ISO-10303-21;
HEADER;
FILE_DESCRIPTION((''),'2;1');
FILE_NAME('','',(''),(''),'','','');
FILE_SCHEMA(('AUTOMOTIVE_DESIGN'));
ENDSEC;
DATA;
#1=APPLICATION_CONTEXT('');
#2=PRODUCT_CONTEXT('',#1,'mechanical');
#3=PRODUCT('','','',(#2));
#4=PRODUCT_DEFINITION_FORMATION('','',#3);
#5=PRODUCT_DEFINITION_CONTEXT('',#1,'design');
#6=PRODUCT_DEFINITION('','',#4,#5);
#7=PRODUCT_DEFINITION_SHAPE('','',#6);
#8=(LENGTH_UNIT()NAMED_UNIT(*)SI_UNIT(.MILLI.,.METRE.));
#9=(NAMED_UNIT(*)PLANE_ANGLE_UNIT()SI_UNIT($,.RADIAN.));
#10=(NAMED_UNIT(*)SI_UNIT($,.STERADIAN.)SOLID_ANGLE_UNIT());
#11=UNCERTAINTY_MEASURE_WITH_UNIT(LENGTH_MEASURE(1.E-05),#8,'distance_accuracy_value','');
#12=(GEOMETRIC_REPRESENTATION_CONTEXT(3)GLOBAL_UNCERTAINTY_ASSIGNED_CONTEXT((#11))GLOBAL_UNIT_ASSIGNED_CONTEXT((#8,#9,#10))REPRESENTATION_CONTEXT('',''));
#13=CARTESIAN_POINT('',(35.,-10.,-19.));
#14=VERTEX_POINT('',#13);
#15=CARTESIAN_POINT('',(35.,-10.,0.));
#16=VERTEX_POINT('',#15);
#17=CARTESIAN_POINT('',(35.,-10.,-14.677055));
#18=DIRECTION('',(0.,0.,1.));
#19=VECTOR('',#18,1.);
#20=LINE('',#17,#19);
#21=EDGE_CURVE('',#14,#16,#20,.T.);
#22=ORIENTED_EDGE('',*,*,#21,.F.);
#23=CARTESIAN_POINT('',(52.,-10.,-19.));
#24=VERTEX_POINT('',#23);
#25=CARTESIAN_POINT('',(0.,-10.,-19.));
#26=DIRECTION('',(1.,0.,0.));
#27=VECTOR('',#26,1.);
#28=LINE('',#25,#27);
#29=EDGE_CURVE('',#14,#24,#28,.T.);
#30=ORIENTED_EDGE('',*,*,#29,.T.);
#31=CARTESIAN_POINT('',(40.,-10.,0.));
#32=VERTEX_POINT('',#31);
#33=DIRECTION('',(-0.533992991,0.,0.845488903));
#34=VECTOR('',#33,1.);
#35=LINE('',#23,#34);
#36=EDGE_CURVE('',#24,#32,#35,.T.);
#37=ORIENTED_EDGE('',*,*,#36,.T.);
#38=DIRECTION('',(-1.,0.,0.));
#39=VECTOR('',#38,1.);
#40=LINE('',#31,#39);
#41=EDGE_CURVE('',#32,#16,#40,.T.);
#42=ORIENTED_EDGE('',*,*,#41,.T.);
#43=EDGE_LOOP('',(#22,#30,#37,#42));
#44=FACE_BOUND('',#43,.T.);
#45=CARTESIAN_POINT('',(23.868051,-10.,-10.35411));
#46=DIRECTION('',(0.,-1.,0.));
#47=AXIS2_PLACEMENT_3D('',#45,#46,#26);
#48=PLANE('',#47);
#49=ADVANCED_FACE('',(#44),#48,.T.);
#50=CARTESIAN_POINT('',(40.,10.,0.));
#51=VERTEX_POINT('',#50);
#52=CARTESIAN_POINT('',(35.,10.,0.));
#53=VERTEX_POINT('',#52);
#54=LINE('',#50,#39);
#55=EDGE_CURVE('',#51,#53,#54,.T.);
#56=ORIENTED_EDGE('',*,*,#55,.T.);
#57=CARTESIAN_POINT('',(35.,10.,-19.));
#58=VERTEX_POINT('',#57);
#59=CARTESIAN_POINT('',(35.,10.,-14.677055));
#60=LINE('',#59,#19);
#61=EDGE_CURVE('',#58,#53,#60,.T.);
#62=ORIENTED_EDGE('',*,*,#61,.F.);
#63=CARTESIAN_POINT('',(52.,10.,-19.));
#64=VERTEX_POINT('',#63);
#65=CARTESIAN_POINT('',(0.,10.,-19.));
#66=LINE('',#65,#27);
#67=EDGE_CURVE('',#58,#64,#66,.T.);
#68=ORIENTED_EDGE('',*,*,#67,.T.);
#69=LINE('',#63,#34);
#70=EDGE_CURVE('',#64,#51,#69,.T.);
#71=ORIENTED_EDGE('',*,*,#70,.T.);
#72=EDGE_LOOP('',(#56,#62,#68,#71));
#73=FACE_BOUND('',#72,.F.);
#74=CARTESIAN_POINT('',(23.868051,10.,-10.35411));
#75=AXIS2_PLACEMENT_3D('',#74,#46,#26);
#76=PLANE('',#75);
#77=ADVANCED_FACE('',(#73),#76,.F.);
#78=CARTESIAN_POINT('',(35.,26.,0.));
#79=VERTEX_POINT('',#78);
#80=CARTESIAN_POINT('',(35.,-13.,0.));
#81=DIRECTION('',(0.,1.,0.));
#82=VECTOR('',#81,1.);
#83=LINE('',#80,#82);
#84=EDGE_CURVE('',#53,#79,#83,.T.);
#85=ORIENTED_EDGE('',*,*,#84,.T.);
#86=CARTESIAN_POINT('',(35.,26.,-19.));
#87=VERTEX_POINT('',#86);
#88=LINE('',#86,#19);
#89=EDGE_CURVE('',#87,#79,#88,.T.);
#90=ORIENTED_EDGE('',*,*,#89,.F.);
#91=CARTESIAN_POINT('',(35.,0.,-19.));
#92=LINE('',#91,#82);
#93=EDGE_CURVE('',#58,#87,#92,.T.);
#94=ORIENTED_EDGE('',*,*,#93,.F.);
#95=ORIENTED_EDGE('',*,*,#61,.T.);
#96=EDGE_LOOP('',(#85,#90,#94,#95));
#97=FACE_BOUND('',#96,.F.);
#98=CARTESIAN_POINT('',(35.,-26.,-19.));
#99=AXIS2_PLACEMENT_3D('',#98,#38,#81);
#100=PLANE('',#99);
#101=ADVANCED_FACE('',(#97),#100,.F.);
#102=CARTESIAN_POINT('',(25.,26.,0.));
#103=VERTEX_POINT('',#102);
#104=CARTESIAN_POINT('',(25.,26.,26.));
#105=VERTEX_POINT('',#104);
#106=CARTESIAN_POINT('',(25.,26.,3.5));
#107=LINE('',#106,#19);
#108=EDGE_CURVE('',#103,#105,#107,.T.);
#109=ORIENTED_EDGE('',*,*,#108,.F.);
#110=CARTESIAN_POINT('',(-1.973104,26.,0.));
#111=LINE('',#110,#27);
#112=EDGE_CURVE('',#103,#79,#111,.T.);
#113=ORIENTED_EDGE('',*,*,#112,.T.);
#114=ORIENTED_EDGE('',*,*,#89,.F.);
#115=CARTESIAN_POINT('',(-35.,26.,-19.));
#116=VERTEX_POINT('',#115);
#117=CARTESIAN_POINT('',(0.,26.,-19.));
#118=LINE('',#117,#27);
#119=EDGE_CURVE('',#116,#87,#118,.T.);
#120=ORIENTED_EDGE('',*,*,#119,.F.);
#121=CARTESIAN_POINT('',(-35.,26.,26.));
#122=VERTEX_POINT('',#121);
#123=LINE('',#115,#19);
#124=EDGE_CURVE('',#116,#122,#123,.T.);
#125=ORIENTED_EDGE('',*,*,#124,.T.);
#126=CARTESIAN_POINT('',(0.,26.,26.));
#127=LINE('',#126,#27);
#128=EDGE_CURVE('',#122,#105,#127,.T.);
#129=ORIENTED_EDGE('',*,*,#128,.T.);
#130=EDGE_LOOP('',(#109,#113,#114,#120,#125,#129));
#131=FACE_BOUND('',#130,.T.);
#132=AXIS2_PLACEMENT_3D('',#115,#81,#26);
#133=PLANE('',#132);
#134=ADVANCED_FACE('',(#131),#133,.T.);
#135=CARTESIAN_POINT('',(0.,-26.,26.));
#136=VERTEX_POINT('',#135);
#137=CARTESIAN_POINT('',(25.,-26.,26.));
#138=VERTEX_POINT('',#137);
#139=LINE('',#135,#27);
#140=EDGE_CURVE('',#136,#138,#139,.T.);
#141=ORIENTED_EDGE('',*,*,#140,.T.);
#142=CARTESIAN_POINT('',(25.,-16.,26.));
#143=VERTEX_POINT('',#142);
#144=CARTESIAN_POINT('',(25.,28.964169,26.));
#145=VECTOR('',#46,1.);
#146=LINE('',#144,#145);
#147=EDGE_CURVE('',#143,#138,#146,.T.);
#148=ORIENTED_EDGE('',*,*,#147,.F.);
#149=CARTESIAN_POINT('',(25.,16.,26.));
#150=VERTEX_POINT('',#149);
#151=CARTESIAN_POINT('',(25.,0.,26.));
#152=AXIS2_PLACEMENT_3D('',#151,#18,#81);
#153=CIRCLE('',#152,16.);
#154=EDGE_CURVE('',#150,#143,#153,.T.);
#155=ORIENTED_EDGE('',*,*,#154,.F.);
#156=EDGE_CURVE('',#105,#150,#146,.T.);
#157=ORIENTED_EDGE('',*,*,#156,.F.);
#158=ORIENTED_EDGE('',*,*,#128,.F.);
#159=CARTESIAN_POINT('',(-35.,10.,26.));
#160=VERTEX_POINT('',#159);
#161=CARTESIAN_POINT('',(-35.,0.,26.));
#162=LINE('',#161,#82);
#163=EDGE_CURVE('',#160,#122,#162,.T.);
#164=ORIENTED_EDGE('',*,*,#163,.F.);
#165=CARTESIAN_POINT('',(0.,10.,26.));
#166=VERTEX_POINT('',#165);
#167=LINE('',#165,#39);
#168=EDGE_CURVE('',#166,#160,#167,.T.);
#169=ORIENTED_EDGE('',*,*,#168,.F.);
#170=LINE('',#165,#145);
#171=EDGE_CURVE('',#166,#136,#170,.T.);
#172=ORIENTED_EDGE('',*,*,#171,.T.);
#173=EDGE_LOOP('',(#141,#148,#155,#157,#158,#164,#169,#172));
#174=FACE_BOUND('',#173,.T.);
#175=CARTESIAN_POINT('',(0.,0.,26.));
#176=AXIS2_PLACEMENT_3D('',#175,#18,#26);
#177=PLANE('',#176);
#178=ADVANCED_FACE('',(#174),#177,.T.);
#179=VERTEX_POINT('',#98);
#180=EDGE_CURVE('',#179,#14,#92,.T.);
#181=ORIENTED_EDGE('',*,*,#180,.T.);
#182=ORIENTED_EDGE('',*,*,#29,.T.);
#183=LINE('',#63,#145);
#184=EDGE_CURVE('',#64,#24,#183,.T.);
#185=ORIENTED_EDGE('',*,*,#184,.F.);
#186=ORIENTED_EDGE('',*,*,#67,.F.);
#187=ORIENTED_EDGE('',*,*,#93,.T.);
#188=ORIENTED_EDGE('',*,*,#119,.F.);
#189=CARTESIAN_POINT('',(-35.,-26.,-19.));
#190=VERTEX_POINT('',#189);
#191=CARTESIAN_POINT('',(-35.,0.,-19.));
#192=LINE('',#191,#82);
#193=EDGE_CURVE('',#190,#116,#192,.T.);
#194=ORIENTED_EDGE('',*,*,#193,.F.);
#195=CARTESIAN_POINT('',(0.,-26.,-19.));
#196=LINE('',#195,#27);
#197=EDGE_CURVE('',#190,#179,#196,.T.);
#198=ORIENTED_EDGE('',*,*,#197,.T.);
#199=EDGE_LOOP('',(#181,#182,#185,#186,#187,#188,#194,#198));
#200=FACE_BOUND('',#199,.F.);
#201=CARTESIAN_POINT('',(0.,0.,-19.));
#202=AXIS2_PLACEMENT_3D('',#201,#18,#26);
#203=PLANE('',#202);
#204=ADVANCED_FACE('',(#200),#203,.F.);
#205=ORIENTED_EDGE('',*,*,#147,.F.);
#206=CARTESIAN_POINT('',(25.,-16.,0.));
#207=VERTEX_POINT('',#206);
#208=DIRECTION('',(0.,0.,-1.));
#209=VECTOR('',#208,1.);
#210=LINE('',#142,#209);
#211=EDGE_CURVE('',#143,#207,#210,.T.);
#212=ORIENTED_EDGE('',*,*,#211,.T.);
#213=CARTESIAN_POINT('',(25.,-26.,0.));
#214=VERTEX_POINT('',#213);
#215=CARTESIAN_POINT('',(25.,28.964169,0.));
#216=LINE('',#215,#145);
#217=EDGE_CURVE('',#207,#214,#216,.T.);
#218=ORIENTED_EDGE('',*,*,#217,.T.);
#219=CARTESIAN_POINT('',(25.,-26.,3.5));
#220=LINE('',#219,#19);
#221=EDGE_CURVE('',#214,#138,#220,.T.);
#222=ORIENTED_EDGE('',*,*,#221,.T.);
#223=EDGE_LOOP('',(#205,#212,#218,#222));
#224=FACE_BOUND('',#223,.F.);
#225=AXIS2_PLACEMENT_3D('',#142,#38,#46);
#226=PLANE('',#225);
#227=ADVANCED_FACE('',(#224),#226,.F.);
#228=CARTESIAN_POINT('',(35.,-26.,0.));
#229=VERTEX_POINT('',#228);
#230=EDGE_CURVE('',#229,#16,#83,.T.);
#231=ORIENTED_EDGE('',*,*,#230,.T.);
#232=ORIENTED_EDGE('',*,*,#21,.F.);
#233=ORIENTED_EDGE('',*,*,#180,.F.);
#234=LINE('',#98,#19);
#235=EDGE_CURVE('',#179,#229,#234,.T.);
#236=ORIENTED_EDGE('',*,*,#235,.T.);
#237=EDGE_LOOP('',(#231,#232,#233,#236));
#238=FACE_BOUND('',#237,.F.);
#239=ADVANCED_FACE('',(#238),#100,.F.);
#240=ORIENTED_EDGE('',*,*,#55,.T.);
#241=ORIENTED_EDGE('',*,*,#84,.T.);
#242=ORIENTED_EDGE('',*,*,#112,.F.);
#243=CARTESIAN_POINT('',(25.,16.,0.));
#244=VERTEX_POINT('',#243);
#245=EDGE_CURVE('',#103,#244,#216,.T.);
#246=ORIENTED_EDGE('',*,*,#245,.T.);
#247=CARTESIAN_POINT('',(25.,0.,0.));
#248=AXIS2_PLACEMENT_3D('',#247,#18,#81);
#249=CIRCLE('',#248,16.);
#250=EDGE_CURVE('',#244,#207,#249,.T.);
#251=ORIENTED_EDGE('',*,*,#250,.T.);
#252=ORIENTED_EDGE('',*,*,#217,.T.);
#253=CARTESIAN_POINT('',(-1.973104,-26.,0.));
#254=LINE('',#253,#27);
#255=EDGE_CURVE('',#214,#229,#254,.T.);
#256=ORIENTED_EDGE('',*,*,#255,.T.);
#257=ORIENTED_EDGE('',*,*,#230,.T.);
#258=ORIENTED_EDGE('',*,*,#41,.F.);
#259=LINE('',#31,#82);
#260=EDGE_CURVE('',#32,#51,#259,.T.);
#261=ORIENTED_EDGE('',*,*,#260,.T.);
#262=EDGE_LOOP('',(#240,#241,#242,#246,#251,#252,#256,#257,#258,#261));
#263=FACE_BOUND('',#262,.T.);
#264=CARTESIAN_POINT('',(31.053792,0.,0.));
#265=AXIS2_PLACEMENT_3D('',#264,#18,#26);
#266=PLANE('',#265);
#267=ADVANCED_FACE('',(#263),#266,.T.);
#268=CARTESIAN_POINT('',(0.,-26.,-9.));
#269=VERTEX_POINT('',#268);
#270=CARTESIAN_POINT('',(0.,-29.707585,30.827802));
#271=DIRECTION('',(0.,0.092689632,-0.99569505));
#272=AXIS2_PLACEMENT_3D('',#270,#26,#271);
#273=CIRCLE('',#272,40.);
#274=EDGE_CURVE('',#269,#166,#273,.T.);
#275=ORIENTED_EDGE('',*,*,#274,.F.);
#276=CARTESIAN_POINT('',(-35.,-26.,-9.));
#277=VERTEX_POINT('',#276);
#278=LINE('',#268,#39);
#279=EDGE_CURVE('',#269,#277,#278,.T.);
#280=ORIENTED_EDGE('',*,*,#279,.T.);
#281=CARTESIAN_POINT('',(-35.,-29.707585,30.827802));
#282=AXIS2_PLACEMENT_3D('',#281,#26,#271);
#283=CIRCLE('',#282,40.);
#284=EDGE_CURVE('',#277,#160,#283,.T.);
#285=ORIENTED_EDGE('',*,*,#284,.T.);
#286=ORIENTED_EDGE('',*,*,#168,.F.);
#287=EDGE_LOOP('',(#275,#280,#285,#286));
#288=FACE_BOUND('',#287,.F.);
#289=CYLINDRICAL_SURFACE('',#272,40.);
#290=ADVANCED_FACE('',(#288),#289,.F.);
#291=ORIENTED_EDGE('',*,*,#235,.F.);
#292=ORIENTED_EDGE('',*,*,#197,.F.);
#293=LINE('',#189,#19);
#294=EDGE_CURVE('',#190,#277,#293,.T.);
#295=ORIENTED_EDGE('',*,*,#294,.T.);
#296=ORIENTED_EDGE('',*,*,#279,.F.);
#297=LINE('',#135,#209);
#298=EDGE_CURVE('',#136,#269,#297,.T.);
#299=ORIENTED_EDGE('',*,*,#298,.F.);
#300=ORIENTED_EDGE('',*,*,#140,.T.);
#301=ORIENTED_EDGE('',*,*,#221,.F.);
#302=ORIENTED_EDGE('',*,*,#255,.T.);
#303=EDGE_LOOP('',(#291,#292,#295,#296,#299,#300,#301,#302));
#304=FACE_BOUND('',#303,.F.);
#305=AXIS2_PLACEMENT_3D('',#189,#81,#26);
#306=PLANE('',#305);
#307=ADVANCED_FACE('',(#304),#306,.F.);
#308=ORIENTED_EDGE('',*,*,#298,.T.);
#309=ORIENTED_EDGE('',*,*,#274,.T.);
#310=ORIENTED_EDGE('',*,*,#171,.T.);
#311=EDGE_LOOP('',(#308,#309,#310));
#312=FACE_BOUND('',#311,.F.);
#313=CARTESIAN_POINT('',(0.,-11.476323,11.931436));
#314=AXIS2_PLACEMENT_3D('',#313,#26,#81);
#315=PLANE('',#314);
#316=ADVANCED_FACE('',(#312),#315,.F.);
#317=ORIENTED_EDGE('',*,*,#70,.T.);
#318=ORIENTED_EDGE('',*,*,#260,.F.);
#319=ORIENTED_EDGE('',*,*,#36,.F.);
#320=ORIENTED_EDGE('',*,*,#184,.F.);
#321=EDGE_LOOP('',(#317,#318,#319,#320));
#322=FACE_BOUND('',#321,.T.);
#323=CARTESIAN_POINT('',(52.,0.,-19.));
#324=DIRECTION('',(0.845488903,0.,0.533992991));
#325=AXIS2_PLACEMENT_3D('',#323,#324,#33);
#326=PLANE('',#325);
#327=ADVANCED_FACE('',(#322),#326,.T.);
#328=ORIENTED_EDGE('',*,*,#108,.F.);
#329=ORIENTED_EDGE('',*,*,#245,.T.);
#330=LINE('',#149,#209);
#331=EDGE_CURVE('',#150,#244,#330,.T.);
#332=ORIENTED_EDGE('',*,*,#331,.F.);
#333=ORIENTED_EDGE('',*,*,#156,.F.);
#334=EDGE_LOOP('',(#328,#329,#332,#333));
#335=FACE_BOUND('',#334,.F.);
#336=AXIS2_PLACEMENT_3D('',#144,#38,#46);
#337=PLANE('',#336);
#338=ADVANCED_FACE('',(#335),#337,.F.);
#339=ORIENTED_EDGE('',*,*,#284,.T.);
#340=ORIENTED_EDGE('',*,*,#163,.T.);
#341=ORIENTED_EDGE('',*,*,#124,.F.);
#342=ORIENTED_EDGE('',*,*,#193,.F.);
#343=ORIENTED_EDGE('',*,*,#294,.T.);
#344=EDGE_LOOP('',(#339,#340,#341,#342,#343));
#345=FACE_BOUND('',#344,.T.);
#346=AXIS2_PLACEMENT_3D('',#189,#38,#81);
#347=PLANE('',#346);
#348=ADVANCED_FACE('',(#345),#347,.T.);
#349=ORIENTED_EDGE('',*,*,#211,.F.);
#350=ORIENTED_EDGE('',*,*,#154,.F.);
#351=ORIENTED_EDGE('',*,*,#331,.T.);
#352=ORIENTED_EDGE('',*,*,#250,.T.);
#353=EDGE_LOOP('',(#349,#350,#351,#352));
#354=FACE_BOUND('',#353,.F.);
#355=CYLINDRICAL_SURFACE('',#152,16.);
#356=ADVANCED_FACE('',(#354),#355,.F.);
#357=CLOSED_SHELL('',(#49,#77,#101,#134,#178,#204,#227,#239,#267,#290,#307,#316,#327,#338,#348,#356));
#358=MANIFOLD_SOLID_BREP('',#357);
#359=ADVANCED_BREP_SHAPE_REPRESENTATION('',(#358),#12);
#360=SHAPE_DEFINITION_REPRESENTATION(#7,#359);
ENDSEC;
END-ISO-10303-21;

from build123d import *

# Parameters (mm, degrees)
F1_W     = 70
F1_H     = 52
F2_DEPTH = 45
F5_DEPTH = 26
F7_DEPTH = 35
F9_DEPTH = 10


with BuildPart() as f2:
    # F1 (on offset) → F2 (new body)
    with BuildSketch(Plane.XY.offset(-19)):
        Rectangle(F1_W, F1_H)
    extrude(amount=F2_DEPTH)

    # F4 (on offset) → F5 (cut)
    with BuildSketch(Plane.XY.offset(26)):
        with BuildLine():
            ThreePointArc((25, -16), (36.313708499, -11.313708499), (41, 0))
            ThreePointArc((41, 0), (36.313708499, 11.313708499), (25, 16))
            Line((25, 16), (25, -16))
        make_face()
        with BuildLine():
            ThreePointArc((25, 16), (36.313708499, 11.313708499), (41, 0))
            ThreePointArc((41, 0), (36.313708499, -11.313708499), (25, -16))
            Line((25, -16), (25, -30.2792843431))
            Line((25, -30.2792843431), (53.9182461798, -30.2792843431))
            Line((53.9182461798, -30.2792843431), (53.9182461798, 29.1735101491))
            Line((53.9182461798, 29.1735101491), (25, 28.9641693234))
            Line((25, 28.9641693234), (25, 16))
        make_face()
        with BuildLine():
            Line((25, -16), (25, 16))
            ThreePointArc((25, 16), (9, 0), (25, -16))
        make_face()
    extrude(amount=-F5_DEPTH, mode=Mode.SUBTRACT)

    # F6 (on Right) → F7 (cut, through all)
    with BuildSketch(Plane.YZ):
        with BuildLine():
            ThreePointArc((-26, -9), (-1.8244495378, 2.1480052389), (10, 26))
            Line((10, 26), (-26, 26))
            Line((-26, 26), (-26, -9))
        make_face()
    extrude(amount=-F7_DEPTH, mode=Mode.SUBTRACT)

    # F8 (on Front) → F9 (join, symmetric)
    with BuildSketch(Plane.XZ):
        Polygon((0, 0), (0, -19), (52, -19), (40, 0), align=None)
    extrude(amount=F9_DEPTH, both=True)


solid = f2.part
